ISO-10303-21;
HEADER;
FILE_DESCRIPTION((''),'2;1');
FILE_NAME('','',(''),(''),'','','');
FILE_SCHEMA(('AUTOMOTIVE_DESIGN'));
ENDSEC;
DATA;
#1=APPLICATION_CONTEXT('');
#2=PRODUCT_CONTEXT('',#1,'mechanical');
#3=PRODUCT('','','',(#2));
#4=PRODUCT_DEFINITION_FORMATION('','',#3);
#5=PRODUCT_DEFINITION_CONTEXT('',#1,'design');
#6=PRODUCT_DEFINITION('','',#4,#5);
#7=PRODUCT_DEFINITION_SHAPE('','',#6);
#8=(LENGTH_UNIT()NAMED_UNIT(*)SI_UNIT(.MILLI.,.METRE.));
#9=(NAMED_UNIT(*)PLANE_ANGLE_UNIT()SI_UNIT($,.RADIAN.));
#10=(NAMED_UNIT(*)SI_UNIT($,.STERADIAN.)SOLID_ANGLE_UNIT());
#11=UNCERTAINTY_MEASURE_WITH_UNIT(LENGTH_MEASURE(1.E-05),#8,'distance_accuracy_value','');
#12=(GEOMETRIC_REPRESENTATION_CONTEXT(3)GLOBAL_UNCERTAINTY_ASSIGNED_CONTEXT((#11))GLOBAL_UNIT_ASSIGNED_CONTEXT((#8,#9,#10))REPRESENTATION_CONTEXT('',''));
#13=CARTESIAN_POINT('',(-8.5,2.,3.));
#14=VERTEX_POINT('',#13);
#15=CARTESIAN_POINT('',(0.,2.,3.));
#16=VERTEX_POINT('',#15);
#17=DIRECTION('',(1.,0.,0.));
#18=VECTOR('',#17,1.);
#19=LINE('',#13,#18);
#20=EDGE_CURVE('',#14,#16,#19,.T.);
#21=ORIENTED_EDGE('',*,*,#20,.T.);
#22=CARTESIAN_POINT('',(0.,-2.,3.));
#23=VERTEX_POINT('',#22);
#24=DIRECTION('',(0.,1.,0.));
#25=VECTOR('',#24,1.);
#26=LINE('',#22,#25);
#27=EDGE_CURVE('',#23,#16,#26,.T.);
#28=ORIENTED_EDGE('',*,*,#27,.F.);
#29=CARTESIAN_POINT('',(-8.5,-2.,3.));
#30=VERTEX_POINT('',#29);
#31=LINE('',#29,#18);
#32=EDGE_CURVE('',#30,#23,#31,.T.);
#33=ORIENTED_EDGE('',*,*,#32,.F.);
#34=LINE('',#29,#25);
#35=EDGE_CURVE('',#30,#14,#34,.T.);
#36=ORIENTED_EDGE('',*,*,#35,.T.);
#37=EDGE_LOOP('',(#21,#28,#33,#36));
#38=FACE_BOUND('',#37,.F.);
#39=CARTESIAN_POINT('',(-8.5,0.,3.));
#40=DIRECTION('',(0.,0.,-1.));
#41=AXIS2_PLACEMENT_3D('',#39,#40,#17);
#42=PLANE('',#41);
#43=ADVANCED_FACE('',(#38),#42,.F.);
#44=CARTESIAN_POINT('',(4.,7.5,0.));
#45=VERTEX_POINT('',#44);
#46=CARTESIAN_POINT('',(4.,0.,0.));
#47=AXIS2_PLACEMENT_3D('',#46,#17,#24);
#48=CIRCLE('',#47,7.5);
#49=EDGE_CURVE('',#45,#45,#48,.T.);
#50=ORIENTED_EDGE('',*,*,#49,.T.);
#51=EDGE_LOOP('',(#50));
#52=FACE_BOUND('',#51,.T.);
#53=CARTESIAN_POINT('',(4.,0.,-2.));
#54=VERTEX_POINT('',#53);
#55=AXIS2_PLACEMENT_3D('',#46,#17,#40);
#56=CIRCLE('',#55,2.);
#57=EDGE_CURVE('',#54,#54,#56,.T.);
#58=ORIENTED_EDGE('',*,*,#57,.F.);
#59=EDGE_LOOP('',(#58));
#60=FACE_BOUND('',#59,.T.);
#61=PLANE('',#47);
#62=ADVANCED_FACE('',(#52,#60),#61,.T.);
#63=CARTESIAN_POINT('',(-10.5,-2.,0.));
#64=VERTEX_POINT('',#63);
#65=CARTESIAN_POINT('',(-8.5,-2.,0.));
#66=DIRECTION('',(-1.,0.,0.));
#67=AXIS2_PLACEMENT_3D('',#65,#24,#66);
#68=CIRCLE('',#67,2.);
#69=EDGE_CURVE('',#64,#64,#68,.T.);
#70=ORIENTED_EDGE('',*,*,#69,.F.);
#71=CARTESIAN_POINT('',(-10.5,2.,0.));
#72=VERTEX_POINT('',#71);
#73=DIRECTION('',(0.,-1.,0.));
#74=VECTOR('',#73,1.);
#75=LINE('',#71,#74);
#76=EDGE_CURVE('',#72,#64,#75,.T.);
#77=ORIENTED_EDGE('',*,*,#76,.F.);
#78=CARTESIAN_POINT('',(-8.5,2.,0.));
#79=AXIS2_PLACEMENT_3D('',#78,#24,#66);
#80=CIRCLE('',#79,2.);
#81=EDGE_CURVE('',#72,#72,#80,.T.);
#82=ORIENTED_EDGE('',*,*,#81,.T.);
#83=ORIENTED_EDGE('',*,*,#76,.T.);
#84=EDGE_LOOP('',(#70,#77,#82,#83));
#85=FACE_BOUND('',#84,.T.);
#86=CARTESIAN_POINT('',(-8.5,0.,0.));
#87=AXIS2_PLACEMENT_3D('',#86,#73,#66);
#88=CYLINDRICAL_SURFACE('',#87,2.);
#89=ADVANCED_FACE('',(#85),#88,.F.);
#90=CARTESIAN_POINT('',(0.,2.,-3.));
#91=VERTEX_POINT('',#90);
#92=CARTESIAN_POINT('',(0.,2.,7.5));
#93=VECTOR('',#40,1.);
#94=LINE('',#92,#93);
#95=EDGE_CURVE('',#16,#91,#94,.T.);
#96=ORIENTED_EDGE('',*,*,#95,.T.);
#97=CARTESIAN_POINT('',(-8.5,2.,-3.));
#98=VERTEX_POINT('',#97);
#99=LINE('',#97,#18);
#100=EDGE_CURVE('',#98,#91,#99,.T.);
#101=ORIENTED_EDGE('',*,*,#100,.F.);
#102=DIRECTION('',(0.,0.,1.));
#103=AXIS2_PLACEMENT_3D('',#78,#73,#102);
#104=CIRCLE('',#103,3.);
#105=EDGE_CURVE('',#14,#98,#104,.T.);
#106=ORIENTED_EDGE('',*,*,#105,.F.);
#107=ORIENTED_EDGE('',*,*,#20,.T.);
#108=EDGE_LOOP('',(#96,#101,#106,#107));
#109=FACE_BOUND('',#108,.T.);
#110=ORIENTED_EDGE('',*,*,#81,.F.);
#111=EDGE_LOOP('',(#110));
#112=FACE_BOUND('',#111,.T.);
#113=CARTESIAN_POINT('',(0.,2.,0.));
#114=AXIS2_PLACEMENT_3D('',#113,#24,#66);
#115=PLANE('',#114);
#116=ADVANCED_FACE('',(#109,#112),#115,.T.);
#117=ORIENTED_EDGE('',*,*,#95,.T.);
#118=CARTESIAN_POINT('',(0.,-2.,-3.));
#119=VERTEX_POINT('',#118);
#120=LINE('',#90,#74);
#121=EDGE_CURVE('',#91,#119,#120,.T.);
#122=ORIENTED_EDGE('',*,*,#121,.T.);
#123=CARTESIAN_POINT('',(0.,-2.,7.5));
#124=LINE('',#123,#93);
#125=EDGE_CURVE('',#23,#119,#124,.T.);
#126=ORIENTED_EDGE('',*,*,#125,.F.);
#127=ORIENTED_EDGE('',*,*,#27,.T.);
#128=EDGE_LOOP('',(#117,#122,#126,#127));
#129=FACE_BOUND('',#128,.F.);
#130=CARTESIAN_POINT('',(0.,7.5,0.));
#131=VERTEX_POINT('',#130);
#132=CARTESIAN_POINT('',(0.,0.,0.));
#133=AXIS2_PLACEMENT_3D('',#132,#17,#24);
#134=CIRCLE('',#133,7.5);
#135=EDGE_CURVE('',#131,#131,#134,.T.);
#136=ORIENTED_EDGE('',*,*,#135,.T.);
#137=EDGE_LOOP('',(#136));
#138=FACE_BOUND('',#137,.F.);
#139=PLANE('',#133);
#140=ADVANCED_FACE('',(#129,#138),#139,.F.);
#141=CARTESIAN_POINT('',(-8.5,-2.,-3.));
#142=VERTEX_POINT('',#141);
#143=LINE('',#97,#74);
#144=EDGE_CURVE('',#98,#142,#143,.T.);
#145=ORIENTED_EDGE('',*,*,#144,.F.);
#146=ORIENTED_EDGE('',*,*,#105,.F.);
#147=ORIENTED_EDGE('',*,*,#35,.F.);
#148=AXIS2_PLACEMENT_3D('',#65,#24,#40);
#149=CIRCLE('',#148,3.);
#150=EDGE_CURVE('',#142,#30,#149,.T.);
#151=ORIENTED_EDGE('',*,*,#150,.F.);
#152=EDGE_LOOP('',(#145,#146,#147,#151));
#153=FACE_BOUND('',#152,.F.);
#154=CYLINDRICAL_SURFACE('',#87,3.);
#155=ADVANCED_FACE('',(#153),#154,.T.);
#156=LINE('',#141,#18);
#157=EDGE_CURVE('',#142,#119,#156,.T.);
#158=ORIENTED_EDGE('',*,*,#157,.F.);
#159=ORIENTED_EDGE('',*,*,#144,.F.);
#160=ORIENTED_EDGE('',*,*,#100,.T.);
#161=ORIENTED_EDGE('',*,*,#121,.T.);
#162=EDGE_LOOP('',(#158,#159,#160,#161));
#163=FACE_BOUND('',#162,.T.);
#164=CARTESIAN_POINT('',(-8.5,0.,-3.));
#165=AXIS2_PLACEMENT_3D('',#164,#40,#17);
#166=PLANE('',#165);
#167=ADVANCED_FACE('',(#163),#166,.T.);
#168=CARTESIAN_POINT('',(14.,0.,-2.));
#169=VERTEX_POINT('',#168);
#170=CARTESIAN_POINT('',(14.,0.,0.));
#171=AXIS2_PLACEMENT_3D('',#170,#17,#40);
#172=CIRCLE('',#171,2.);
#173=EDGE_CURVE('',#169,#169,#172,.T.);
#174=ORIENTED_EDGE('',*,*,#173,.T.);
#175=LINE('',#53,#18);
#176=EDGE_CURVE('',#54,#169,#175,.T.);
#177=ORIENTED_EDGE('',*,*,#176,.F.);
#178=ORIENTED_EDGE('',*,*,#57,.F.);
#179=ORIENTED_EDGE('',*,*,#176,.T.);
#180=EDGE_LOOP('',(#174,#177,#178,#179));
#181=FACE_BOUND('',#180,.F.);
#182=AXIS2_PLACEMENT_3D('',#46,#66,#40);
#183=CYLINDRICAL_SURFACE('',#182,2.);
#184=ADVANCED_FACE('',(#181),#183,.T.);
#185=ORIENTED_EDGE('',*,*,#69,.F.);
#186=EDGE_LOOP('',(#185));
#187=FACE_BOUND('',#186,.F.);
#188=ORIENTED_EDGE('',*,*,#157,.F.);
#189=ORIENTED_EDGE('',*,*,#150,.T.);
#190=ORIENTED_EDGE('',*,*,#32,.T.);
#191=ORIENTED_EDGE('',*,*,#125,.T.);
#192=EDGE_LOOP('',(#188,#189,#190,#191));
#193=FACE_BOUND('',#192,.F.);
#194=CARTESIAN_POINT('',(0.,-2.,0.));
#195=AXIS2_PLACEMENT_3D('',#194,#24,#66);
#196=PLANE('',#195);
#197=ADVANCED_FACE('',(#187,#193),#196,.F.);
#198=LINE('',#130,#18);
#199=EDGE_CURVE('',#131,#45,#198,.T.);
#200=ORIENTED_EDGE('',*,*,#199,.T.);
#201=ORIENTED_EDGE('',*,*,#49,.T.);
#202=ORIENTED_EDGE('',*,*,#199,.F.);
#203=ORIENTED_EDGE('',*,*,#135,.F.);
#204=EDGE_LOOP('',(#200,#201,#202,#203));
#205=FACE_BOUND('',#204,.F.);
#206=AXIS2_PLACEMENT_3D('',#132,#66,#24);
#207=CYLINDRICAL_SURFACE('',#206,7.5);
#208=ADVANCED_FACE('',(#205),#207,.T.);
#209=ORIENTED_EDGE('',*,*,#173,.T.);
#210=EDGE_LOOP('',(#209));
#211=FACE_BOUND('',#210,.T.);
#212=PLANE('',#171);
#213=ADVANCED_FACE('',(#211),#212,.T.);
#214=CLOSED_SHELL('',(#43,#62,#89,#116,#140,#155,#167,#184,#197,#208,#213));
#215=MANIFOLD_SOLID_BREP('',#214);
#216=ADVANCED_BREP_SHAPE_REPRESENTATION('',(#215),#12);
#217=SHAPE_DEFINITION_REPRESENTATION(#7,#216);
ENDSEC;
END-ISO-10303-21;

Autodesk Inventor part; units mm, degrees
ref_plane "YZ Plane" through (0, 0, 0) normal (1, 0, 0) x (0, 1, 0)
ref_plane "XZ Plane" through (0, 0, 0) normal (0, 1, 0) x (-1, 0, 0)
ref_plane "XY Plane" through (0, 0, 0) normal (0, 0, 1) x (1, 0, 0)
sketch "スケッチ1" plane through (0, 0, 0) normal (1, 0, 0) x (0, 1, 0)
  circle A0 centre (0, 0) radius 7.5
  dimension "d0" = 15
extrude "押し出し1" add sketch "スケッチ1" along normal blind 4
sketch "スケッチ2" plane through (0, 0, 0) normal (0, 1, 0) x (-1, 0, 0)
  circle A0 centre (8.5, 0) radius 2
  circle A1 centre (8.5, 0) radius 3
  line L0 (8.5, -3) -> (0, -3)
  line L1 (0, 7.5) -> (0, -7.5) projected
  line L2 (8.5, 3) -> (0, 3)
  point P0 (0, 0)
  dimension "d3" = 4
  dimension "d4" = 6
  dimension "d5" = 8.5
extrude "押し出し2" add sketch "スケッチ2" along normal mid plane 4
sketch "スケッチ3" plane through (4, 0, 0) normal (1, 0, 0) x (0, 0, -1)
  circle A0 centre (0, 0) radius 2
  dimension "d8" = 4
extrude "押し出し3" add sketch "スケッチ3" along normal blind 10
properties part number "pink-suspension-top" material "ABS プラスチック"
